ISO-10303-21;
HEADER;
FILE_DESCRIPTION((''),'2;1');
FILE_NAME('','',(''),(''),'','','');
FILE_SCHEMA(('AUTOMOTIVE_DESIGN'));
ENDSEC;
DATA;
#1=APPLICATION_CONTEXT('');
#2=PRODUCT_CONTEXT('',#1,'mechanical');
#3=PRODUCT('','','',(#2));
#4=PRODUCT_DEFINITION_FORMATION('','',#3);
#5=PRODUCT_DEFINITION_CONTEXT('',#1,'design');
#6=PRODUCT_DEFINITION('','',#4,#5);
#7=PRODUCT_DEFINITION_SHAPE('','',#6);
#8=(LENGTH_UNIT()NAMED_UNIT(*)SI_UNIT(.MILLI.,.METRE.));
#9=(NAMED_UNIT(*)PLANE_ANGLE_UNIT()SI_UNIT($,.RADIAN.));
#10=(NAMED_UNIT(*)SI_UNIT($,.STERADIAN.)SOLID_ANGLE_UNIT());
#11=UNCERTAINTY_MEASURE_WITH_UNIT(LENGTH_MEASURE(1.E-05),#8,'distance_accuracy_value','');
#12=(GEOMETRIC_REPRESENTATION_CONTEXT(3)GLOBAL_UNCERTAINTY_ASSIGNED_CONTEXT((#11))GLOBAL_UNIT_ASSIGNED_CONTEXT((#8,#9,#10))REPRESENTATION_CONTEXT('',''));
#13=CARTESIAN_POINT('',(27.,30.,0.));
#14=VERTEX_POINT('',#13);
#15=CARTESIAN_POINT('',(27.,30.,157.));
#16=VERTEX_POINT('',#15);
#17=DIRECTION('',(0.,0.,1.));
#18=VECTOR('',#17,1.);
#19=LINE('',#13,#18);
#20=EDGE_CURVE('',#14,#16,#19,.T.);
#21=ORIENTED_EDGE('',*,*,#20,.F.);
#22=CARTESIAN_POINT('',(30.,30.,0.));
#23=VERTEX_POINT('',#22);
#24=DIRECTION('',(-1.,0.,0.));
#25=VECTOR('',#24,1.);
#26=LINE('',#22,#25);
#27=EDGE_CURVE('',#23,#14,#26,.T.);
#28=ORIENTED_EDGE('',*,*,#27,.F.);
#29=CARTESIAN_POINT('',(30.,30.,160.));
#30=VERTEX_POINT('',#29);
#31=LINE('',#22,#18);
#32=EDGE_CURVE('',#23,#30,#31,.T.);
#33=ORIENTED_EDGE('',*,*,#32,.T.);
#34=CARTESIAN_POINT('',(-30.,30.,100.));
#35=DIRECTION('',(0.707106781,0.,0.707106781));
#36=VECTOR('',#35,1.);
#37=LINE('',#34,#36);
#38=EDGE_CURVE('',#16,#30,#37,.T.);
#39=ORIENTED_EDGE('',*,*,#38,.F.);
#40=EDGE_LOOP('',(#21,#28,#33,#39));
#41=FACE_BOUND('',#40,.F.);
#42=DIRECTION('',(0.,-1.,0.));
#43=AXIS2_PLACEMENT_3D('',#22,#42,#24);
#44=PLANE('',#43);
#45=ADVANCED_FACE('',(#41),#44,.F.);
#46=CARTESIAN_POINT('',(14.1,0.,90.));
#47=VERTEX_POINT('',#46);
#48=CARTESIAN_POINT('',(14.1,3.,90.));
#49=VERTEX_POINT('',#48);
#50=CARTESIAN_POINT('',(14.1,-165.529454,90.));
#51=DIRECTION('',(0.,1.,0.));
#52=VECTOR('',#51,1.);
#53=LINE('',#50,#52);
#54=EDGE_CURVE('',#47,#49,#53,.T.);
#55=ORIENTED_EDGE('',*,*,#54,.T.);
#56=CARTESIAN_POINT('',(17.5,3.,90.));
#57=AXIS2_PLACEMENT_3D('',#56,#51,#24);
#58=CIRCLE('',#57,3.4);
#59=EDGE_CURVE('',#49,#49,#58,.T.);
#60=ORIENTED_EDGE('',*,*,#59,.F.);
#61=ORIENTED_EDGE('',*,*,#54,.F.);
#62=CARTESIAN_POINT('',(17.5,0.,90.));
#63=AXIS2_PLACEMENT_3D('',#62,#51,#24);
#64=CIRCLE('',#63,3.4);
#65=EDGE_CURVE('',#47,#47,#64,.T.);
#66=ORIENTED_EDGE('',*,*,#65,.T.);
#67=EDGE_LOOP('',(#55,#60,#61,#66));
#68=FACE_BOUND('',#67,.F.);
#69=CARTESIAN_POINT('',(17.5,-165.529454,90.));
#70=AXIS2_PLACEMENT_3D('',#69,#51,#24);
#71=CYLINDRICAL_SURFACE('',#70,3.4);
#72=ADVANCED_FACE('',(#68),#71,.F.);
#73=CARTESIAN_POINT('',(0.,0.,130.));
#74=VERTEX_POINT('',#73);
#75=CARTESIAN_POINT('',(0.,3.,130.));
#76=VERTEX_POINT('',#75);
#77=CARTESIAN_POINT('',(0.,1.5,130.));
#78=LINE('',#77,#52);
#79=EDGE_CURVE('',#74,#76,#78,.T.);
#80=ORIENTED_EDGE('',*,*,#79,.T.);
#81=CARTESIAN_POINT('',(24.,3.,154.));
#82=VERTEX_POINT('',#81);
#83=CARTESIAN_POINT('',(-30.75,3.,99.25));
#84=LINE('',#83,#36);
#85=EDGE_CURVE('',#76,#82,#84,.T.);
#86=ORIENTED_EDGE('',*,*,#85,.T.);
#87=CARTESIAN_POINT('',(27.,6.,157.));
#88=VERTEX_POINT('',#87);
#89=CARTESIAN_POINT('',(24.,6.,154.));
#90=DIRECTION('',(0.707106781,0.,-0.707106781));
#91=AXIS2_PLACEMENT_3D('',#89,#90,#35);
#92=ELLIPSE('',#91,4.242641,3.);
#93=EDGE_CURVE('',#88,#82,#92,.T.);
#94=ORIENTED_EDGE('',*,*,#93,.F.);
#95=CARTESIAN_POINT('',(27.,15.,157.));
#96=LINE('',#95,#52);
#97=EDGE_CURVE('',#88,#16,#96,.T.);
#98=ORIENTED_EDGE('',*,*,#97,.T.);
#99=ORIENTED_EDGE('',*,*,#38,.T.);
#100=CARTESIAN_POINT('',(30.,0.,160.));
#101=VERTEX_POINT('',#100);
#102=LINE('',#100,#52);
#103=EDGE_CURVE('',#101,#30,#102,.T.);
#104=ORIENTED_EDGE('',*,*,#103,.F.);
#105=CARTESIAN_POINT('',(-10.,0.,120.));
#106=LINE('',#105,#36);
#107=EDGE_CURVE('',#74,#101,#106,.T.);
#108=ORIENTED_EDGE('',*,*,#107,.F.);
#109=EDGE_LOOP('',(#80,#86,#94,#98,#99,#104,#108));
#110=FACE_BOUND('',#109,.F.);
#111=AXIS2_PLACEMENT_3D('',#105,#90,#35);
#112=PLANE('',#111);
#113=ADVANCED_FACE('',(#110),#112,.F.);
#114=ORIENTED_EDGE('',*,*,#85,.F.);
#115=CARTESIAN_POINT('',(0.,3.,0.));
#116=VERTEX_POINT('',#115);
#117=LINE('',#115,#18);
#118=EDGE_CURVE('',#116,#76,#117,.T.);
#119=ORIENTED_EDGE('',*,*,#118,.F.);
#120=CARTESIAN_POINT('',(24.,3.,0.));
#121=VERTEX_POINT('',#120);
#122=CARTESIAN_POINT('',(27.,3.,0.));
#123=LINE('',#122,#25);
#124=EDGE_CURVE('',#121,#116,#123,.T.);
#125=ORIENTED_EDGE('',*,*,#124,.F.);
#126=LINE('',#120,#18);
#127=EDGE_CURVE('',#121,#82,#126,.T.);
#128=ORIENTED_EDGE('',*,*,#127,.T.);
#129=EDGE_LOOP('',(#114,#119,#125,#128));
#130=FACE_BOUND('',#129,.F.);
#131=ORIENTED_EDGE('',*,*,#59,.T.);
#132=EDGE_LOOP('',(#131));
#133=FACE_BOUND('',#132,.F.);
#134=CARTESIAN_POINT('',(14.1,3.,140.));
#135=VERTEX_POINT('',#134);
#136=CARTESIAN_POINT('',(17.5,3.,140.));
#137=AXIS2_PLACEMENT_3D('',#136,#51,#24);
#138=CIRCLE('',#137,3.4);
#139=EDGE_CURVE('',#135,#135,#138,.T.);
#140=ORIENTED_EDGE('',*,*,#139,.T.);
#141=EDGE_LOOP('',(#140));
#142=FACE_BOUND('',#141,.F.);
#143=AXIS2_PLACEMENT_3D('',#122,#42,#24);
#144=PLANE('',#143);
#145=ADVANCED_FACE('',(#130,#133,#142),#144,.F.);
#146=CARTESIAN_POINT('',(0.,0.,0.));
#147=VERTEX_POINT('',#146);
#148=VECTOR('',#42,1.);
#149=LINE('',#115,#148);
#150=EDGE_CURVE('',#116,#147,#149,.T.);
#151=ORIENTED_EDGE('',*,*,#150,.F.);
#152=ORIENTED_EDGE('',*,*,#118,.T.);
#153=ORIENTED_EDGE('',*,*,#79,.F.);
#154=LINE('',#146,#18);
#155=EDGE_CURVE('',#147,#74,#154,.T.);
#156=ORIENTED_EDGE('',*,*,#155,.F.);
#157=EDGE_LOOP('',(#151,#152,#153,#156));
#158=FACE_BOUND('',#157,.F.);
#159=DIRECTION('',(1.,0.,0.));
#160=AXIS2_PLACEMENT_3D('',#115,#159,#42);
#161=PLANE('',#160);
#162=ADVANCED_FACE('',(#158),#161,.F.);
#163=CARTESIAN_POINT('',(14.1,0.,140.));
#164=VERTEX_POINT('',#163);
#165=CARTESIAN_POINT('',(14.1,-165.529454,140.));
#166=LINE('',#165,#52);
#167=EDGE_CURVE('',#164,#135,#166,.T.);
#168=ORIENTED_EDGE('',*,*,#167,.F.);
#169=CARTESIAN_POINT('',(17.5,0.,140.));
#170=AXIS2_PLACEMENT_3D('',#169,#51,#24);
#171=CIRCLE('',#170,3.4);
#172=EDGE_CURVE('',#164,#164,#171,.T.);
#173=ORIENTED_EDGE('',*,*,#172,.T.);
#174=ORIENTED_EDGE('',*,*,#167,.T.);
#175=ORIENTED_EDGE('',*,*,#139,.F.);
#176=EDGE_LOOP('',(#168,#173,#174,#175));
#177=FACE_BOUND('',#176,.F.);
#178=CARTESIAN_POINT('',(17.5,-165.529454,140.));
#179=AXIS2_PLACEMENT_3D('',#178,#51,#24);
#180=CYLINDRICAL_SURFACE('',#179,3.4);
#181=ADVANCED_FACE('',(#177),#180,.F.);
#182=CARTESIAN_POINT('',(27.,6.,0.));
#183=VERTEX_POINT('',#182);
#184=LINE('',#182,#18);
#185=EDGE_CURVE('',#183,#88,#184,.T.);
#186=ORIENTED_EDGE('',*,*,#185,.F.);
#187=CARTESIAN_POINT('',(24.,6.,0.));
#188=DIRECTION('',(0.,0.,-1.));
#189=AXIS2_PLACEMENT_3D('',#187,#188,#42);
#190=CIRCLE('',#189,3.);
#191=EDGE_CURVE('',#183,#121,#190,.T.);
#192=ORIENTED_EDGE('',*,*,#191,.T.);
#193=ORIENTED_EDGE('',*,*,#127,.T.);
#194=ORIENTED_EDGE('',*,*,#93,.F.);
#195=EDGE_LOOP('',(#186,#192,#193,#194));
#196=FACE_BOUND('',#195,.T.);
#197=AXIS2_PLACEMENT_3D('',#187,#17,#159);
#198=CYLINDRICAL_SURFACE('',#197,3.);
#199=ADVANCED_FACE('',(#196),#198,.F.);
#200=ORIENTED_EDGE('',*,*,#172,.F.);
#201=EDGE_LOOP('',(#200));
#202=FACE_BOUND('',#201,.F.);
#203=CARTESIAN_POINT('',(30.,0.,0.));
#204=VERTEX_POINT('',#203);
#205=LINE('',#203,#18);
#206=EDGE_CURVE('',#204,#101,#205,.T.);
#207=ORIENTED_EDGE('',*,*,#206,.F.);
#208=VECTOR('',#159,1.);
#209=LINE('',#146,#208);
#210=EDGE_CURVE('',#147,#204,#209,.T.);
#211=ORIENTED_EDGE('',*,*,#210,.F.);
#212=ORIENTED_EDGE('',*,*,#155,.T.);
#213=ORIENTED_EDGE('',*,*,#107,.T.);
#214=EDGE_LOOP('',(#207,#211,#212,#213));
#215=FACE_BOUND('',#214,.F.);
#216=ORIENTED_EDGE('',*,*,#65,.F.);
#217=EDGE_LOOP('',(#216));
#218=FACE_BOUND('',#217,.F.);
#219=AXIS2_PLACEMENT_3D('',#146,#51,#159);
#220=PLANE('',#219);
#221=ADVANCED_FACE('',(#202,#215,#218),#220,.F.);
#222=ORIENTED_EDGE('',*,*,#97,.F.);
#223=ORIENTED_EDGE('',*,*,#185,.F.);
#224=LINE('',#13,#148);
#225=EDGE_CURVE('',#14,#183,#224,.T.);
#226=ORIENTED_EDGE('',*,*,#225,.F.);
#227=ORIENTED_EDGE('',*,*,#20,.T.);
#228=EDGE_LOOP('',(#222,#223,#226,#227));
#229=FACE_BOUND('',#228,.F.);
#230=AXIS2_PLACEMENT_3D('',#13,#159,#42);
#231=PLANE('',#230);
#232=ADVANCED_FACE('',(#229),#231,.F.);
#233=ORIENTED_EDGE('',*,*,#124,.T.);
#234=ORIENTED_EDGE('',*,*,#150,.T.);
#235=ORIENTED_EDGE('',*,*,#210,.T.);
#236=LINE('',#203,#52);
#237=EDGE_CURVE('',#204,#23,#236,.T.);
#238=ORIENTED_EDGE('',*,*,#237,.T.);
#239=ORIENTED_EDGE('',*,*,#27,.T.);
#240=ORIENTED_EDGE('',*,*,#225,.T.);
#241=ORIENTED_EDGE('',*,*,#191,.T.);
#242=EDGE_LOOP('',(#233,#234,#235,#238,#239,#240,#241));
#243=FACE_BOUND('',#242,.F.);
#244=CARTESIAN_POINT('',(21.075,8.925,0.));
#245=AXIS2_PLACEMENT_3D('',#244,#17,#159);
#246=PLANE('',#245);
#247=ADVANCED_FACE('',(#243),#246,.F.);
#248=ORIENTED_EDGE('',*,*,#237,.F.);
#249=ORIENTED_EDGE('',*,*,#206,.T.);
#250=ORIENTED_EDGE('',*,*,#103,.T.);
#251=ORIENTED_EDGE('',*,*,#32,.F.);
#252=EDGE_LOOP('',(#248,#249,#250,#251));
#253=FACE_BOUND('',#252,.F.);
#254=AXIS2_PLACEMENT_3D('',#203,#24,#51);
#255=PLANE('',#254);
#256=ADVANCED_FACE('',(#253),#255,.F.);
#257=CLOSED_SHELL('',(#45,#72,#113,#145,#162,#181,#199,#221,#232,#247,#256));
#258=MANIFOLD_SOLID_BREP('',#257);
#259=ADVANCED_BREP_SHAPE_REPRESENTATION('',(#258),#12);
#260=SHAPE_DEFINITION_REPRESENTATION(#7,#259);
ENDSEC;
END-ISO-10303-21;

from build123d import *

# Parameters (mm, degrees)
F1_DEPTH = 160
F2_R     = 3
F4_DEPTH = 30.001
F6_D     = 6.8


with BuildPart() as f1:
    # F0 (on Top) → F1 (new body)
    with BuildSketch(Plane.XY):
        Polygon((0, 3), (0, 0), (30, 0), (30, 30), (27, 30), (27, 3), align=None)
    extrude(amount=F1_DEPTH)

    # F2
    f2_edges = [f1.edges().sort_by_distance(p)[0] for p in [
        (27, 3, 80),
    ]]
    fillet(f2_edges, radius=F2_R)

    # F3 (on face) → F4 (cut, through all)
    with BuildSketch(Plane.XZ):
        Polygon((-10, 120), (40, 170), (-10, 170), align=None)
    extrude(amount=-F4_DEPTH, mode=Mode.SUBTRACT)

    # F6 (through all)
    with Locations(Plane.XZ):
        with Locations((17.5, 140), (17.5, 90)):
            Hole(F6_D / 2)


solid = f1.part
